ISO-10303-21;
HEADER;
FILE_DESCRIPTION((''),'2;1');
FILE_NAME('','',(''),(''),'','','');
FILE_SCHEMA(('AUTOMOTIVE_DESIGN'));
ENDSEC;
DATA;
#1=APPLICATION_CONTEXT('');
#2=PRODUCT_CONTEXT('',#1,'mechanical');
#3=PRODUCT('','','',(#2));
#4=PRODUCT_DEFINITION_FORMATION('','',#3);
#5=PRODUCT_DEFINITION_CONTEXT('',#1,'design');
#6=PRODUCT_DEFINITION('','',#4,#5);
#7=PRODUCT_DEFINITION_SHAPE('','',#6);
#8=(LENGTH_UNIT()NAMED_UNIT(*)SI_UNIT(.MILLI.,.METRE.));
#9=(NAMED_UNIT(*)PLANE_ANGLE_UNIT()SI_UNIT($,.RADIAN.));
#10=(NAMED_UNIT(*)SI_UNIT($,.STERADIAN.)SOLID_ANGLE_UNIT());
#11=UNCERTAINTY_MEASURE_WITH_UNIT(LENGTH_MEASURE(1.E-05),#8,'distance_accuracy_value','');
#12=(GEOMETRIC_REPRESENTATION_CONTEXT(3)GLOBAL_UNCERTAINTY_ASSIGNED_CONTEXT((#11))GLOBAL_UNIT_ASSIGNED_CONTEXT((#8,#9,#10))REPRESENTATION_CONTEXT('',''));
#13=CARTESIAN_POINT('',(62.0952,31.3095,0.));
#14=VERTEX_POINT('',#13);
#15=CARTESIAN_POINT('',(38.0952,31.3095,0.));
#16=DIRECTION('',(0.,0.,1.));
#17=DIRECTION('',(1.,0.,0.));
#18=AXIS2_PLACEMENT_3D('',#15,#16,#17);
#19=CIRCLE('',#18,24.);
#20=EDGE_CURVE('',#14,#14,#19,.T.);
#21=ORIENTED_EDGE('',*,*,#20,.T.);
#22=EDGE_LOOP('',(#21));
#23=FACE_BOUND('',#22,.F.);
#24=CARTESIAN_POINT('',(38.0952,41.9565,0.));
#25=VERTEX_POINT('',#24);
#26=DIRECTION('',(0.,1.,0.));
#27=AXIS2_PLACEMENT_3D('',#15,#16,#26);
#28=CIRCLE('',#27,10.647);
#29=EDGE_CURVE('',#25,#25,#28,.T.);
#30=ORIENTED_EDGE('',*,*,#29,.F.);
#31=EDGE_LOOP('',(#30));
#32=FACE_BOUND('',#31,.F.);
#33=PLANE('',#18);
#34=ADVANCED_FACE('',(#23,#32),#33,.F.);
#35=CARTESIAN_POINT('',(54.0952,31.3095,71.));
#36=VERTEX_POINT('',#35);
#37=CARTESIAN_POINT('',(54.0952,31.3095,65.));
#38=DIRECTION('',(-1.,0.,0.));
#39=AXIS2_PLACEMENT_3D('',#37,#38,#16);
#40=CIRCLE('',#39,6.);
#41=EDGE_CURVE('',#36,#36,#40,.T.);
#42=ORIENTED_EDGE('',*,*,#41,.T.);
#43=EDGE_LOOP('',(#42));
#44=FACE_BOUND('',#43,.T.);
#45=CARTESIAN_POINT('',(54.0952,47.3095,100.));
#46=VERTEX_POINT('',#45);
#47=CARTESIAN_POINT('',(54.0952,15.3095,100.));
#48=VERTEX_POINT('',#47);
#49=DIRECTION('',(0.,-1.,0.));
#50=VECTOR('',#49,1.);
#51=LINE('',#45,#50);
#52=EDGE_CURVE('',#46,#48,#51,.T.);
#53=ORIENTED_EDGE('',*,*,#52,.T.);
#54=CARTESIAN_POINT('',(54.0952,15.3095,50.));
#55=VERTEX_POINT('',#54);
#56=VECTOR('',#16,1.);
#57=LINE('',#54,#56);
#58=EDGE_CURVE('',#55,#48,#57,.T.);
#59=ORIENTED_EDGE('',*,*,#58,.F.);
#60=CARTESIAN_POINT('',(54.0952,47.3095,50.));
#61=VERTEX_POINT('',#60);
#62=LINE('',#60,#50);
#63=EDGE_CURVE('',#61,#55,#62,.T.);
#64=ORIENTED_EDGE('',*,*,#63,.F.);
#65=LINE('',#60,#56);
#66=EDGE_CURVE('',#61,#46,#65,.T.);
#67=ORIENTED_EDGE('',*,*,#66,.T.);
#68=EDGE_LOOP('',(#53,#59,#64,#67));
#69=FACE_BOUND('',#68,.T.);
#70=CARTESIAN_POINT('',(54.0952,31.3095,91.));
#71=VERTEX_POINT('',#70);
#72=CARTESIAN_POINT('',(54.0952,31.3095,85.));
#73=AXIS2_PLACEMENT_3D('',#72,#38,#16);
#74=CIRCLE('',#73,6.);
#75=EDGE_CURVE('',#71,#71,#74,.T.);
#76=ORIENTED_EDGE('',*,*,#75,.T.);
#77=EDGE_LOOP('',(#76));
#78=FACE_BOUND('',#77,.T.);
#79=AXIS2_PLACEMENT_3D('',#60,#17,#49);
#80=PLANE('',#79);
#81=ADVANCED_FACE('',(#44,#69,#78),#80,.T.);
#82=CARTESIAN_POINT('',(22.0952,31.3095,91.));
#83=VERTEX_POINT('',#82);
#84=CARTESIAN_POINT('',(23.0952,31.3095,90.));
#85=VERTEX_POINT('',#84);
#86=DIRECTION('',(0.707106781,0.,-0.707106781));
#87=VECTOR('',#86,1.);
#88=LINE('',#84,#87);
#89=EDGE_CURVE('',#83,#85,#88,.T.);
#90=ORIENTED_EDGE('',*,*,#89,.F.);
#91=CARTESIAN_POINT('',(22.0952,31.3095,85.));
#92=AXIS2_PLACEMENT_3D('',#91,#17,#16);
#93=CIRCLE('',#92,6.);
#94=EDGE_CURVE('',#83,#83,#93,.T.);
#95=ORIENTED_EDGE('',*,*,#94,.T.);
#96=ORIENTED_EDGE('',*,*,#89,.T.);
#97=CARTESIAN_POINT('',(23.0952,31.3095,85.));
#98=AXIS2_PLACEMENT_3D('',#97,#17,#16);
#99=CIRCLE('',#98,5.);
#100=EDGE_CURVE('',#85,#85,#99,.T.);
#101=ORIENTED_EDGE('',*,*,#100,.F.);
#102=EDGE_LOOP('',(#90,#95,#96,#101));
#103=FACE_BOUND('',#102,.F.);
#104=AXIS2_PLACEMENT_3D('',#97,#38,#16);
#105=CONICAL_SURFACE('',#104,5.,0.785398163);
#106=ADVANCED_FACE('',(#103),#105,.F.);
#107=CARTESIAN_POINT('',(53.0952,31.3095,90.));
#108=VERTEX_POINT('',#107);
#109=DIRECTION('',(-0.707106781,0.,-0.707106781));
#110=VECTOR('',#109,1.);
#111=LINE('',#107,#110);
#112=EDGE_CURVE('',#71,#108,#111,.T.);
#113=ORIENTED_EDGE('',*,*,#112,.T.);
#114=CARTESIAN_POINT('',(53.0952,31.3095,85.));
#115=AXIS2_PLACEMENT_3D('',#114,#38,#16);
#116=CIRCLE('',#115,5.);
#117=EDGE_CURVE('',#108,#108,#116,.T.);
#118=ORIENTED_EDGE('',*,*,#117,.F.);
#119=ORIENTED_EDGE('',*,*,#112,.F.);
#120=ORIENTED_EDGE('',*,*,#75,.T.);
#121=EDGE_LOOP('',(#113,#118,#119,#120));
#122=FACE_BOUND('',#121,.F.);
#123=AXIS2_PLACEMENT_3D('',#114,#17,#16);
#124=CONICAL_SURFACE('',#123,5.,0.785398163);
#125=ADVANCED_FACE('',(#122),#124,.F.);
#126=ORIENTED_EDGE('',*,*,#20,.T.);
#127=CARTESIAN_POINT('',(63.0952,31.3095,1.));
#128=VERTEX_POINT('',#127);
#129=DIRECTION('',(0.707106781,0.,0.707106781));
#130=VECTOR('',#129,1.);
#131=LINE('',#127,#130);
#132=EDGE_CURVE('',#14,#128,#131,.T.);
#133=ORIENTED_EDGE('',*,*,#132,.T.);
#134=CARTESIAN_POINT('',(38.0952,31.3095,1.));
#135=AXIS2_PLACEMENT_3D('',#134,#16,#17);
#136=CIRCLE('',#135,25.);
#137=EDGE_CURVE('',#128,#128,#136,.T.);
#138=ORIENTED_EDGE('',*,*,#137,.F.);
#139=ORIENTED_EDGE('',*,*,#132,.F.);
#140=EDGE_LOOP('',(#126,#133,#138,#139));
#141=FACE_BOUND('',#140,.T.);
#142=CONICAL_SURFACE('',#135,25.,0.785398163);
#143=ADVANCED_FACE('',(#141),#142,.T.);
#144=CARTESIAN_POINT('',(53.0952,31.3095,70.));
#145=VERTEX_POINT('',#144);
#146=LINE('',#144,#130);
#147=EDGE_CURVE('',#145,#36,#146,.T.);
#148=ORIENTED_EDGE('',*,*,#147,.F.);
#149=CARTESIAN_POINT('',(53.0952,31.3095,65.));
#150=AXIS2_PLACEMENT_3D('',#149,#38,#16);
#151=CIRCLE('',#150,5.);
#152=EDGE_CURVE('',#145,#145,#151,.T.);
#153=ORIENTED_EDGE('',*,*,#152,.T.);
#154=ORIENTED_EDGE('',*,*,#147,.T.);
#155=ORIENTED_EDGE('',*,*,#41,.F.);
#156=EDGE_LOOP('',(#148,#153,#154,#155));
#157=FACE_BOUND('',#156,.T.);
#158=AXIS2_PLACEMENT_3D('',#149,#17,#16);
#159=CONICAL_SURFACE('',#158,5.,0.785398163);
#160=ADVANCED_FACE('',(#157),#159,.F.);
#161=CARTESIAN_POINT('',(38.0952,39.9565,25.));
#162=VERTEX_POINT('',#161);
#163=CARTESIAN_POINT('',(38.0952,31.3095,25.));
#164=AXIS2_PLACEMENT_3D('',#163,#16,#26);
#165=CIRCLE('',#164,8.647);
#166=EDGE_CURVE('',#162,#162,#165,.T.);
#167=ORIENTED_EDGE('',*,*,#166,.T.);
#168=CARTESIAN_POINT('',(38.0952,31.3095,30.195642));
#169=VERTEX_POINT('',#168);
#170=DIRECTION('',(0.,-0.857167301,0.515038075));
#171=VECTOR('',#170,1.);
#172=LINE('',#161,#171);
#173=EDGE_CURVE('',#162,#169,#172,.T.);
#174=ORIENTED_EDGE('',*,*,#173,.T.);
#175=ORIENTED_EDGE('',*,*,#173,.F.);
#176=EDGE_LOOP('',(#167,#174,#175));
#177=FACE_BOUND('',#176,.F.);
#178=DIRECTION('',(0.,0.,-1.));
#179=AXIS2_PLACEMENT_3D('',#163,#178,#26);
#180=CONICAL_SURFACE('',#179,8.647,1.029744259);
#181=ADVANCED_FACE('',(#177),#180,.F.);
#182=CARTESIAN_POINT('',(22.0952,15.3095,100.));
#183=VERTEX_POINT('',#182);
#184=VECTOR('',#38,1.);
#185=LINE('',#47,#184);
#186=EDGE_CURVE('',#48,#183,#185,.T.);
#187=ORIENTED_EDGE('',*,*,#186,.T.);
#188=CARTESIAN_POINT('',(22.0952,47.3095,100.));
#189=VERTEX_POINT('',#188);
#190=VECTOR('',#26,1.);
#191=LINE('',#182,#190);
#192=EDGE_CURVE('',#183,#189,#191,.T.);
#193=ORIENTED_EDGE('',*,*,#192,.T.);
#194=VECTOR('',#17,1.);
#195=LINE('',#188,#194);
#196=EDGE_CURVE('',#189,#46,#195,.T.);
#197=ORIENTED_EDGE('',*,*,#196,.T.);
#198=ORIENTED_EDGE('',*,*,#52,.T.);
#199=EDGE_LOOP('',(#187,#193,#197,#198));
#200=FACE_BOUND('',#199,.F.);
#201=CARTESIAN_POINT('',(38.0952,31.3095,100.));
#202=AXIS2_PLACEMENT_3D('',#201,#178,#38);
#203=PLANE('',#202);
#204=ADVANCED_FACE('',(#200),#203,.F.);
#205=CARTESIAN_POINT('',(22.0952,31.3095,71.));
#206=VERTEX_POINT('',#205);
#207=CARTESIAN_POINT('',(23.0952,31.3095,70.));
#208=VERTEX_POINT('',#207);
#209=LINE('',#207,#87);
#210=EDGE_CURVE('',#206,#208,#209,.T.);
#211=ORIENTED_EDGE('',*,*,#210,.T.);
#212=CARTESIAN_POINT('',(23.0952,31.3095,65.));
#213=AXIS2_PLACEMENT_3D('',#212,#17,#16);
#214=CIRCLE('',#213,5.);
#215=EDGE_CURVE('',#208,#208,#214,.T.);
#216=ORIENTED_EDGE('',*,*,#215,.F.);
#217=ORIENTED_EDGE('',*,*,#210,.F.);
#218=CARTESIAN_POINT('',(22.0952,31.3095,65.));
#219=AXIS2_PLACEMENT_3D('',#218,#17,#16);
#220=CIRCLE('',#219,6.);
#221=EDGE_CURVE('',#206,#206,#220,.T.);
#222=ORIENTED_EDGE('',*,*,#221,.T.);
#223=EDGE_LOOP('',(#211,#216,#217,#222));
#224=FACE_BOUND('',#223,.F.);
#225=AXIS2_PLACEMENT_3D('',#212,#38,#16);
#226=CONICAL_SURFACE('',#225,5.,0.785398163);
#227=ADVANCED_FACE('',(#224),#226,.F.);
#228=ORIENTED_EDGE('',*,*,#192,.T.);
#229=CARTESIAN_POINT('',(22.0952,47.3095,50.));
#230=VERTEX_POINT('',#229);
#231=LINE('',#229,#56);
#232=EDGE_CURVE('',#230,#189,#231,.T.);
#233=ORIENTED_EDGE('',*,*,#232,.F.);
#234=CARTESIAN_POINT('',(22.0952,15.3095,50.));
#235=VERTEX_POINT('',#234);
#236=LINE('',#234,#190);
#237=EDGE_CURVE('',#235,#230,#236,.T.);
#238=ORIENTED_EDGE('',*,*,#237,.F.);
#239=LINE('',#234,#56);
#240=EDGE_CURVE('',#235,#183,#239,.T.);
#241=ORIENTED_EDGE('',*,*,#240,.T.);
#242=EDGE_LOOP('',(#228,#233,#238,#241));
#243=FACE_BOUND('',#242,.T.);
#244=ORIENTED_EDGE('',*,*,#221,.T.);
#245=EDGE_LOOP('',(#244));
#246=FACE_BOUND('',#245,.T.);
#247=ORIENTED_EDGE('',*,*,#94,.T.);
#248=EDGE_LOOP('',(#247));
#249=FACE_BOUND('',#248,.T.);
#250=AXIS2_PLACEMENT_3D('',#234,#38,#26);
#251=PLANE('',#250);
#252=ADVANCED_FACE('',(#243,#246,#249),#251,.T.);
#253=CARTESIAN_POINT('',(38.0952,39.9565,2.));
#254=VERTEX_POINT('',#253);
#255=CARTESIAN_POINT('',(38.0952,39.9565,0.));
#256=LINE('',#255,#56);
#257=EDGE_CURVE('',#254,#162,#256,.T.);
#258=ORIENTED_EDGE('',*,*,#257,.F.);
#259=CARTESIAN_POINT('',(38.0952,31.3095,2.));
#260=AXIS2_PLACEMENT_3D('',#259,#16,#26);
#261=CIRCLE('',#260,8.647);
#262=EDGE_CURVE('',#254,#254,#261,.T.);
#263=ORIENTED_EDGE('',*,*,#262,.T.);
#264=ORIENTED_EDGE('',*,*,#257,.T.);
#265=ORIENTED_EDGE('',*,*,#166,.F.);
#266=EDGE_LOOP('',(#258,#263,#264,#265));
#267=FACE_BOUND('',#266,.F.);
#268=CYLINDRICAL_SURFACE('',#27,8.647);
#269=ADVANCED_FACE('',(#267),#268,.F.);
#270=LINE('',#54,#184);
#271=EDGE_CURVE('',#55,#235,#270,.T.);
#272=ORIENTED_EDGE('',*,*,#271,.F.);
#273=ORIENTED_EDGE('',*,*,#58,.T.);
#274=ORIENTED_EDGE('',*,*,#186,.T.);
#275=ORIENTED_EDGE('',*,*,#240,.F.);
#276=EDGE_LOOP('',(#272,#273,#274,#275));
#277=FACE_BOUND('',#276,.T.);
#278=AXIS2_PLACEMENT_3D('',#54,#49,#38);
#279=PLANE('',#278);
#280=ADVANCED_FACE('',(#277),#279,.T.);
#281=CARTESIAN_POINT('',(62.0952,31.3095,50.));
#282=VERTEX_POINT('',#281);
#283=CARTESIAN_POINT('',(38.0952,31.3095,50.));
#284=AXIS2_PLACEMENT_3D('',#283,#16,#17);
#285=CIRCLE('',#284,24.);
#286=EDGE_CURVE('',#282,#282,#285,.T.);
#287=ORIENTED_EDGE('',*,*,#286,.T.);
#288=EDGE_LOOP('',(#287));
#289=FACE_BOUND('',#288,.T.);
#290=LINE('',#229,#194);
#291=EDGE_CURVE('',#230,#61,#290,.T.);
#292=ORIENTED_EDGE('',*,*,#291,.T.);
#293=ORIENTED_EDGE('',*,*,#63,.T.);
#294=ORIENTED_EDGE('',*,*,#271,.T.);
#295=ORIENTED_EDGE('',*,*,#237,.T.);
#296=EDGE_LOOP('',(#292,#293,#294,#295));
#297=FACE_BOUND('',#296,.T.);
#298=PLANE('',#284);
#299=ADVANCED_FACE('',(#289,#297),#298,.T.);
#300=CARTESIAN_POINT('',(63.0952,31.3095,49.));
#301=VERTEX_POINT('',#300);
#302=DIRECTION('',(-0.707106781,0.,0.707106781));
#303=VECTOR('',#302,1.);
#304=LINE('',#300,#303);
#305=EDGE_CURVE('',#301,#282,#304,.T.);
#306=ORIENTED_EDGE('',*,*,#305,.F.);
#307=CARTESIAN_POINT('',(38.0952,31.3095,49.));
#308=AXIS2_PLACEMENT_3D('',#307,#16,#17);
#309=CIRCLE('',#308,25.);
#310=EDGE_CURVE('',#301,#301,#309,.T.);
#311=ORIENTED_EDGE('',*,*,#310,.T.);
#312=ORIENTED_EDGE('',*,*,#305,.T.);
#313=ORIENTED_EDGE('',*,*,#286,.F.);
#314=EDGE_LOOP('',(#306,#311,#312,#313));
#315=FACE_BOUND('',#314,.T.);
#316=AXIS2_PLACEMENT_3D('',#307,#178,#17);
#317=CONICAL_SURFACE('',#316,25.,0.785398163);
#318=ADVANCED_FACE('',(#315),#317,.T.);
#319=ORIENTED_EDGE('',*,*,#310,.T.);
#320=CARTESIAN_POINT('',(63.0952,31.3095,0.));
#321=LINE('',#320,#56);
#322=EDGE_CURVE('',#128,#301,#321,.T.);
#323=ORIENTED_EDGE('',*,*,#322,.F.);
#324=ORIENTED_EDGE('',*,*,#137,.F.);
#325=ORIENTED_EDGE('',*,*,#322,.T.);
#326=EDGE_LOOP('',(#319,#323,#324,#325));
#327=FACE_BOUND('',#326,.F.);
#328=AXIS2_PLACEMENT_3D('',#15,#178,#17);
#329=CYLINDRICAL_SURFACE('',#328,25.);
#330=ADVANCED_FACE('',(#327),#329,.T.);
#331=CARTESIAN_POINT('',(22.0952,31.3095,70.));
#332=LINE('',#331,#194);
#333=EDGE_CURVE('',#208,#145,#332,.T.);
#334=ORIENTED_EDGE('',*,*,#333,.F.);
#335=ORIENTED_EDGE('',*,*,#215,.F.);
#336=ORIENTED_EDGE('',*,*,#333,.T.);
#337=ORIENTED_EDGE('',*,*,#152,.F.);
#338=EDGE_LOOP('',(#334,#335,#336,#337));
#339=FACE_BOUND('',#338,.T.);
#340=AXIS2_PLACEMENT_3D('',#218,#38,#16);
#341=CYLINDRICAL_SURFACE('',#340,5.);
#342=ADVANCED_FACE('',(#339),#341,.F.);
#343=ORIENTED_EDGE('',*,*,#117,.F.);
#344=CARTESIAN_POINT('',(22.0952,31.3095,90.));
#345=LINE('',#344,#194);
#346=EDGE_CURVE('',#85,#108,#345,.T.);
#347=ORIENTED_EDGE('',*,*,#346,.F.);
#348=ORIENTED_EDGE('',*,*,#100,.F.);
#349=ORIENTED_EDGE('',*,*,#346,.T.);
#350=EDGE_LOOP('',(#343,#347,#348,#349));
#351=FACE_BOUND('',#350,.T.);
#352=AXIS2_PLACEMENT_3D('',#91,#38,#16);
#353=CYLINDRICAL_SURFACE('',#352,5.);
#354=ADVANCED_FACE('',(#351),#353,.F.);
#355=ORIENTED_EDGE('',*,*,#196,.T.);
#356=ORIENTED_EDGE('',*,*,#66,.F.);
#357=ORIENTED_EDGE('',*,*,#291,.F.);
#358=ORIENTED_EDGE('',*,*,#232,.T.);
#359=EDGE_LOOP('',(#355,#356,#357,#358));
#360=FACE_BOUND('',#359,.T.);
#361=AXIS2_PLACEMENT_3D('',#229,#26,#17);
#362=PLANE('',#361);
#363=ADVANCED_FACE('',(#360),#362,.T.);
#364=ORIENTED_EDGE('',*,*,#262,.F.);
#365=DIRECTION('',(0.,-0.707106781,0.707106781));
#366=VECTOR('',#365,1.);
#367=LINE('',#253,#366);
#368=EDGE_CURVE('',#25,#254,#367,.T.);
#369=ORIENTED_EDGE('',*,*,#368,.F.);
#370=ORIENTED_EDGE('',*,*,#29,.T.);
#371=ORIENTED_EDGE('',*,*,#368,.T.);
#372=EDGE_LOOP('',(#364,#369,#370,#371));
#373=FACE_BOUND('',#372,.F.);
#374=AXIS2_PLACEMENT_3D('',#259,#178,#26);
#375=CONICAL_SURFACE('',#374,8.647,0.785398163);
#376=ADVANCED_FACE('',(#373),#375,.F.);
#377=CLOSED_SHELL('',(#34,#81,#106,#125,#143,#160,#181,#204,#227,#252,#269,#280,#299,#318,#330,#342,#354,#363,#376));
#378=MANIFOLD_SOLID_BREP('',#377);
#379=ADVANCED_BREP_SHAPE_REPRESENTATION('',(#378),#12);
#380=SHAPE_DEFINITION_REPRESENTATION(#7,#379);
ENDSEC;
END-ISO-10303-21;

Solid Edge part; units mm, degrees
sketch "Sketch1" plane through (0, 0, 0) normal (0, 0, 1) x (1, 0, 0)
  circle A0 centre (38.0952, 31.3095) radius 25
extrude "Protrusion1" add sketch "Sketch1" along normal blind 50
sketch "Sketch2" plane through (38.0952, 31.3095, 50) normal (0, 0, 1) x (1, 0, 0)
  line L0 (-16, 16) -> (16, 16)
  line L1 (16, 16) -> (16, -16)
  line L2 (16, -16) -> (-16, -16)
  line L3 (-16, -16) -> (-16, 16)
  dimension "D1" = 32
  dimension "D2" = 32
  dimension "D3" = 16
  dimension "D4" = 16
extrude "ExtrudedProtrusion_2" add sketch "Sketch2" along normal blind 50
hole "Hole_1" at (22.0952, 31.3095, 85) direction (1, 0, 0) diameter 10 end through all
hole "Hole1" at (22.0952, 31.3095, 65) direction (1, 0, 0) diameter 10 end through all
hole "Hole_2" at (38.0952, 31.3095, 0) direction (0, 0, 1) diameter 17.294 depth 25 tip angle 118 thread major 20 thread length 20
chamfer "Chamfer_1" distance 2 angle 45 1 edges at (38.0952, 22.6625, 0)
chamfer "Chamfer_2" distance 1 angle 45 1 edges at (13.0952, 31.3095, 0)
chamfer "Chamfer_3" distance 1 angle 45 1 edges at (13.0952, 31.3095, 50)
chamfer "Chamfer_4" distance 1 angle 45 2 edges at (22.0952, 31.3095, 80) (54.0952, 26.3095, 85)
chamfer "Chamfer_5" distance 1 angle 45 2 edges at (22.0952, 31.3095, 60) (54.0952, 26.3095, 65)
